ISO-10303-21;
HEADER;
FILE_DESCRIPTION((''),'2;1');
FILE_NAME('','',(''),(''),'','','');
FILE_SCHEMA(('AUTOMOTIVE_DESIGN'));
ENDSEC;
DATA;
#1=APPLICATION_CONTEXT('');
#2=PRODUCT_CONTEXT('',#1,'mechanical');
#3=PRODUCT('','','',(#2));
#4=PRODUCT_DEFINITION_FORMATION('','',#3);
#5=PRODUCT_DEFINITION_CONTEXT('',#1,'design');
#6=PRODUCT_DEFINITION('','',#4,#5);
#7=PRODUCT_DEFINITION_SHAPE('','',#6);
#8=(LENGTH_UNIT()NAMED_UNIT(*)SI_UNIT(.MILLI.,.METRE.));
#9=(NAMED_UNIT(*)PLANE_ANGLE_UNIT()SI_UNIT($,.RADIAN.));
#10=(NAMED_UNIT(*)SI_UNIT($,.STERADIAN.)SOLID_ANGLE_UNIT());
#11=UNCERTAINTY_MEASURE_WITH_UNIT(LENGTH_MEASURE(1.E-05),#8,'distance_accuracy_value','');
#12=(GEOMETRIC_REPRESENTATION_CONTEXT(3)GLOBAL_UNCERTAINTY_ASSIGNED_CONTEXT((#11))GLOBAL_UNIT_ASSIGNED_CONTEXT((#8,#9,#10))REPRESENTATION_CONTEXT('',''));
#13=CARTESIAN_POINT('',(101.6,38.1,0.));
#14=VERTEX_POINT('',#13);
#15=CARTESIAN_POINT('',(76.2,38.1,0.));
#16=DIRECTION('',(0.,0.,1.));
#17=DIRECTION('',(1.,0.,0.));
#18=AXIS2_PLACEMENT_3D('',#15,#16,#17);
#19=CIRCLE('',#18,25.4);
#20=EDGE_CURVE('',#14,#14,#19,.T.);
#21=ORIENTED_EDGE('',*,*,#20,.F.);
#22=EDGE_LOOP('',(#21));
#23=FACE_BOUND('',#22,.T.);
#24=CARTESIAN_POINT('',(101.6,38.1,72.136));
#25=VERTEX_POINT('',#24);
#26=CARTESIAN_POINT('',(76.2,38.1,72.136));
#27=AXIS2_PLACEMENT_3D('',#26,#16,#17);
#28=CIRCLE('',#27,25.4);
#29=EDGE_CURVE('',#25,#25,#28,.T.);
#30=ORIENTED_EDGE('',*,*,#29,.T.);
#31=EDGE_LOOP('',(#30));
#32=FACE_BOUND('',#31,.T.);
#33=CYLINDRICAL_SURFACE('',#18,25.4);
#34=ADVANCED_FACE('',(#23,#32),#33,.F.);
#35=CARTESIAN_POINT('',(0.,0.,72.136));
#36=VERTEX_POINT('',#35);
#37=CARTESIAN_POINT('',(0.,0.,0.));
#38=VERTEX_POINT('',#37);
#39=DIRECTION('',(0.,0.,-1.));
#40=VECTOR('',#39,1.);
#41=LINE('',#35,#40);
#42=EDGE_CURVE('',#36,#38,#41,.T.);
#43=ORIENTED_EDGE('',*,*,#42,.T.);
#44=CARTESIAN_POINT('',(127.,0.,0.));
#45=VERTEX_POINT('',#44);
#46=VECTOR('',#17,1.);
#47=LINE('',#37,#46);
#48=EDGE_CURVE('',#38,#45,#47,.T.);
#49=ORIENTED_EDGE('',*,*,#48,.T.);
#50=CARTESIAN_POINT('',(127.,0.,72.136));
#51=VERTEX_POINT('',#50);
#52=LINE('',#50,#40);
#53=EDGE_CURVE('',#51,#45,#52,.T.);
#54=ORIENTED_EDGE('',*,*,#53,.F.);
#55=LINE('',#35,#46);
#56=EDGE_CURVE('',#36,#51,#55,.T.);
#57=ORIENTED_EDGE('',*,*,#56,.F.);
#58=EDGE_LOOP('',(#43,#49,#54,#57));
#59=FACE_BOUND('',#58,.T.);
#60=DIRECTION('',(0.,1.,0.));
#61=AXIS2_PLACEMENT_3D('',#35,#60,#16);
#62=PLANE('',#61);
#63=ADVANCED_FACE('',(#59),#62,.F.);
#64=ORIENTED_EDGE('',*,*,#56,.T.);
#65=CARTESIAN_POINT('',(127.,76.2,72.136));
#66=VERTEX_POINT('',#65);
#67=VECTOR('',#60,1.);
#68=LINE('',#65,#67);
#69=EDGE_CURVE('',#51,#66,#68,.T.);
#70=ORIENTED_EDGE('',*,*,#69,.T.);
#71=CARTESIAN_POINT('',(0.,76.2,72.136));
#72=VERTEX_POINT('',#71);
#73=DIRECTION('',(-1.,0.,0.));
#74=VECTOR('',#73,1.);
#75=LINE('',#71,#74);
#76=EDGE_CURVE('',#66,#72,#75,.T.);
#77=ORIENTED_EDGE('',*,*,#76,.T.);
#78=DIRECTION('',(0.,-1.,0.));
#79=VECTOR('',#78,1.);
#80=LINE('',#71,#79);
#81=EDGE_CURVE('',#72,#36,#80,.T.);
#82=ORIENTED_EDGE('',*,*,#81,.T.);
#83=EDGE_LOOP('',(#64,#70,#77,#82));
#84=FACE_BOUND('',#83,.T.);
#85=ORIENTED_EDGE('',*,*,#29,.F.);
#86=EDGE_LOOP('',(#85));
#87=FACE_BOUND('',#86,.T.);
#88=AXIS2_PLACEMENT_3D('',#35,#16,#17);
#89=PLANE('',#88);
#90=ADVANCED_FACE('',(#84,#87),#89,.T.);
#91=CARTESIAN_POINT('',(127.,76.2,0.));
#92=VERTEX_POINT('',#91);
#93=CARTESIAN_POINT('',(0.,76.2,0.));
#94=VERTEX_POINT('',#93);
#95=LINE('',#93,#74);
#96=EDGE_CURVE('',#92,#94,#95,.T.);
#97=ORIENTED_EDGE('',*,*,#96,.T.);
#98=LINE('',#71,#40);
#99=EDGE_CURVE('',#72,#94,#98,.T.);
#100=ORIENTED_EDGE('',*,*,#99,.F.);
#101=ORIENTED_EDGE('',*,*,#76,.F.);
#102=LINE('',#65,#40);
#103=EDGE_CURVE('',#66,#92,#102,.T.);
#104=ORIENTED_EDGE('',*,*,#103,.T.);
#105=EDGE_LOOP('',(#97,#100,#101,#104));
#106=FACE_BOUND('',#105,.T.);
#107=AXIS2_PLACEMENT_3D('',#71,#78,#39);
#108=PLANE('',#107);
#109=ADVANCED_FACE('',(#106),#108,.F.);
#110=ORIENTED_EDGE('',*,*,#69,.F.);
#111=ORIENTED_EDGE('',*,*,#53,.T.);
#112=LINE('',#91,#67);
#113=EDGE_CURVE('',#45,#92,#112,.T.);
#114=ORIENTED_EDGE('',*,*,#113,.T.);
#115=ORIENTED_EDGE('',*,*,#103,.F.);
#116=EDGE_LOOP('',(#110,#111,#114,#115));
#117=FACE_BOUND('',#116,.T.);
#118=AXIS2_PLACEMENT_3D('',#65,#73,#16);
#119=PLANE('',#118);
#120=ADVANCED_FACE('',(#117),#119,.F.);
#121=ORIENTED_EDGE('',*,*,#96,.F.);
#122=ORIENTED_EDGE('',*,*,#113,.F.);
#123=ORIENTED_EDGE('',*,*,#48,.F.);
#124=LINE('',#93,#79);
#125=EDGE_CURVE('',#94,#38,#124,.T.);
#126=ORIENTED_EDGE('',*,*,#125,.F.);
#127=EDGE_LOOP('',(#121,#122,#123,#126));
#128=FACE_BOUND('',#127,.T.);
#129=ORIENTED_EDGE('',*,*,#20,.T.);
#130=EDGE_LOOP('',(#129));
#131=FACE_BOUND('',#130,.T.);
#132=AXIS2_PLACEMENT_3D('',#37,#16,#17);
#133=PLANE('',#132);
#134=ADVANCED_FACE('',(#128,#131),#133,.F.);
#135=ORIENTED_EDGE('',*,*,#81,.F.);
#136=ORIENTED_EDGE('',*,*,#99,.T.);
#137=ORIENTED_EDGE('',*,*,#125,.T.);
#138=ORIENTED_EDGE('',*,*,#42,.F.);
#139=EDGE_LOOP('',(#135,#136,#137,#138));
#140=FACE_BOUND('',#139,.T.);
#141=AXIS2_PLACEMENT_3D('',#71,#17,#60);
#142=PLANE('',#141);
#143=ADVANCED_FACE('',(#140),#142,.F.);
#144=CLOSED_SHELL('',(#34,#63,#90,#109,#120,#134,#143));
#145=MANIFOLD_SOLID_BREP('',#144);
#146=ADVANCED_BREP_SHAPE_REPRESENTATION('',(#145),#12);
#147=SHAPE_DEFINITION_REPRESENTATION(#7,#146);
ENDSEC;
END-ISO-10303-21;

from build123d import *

# Parameters (mm, degrees)
SKETCH1_W           = 127
SKETCH1_H           = 76.2
BOSS_EXTRUDE1_DEPTH = 72.136
SKETCH2_R           = 25.4
CUT_EXTRUDE1_DEPTH  = 165.739316789


with BuildPart() as part:
    # Sketch1 → Boss-Extrude1 (new body)
    with BuildSketch(Plane.XY):
        with Locations((63.5, 38.1)):
            Rectangle(SKETCH1_W, SKETCH1_H)
    extrude(amount=BOSS_EXTRUDE1_DEPTH)

    # Sketch2 → Cut-Extrude1 (cut, through all)
    with BuildSketch(Plane.XY.offset(72.136)):
        with Locations((76.2, 38.1)):
            Circle(SKETCH2_R)
    extrude(amount=-CUT_EXTRUDE1_DEPTH, mode=Mode.SUBTRACT)


solid = part.part
